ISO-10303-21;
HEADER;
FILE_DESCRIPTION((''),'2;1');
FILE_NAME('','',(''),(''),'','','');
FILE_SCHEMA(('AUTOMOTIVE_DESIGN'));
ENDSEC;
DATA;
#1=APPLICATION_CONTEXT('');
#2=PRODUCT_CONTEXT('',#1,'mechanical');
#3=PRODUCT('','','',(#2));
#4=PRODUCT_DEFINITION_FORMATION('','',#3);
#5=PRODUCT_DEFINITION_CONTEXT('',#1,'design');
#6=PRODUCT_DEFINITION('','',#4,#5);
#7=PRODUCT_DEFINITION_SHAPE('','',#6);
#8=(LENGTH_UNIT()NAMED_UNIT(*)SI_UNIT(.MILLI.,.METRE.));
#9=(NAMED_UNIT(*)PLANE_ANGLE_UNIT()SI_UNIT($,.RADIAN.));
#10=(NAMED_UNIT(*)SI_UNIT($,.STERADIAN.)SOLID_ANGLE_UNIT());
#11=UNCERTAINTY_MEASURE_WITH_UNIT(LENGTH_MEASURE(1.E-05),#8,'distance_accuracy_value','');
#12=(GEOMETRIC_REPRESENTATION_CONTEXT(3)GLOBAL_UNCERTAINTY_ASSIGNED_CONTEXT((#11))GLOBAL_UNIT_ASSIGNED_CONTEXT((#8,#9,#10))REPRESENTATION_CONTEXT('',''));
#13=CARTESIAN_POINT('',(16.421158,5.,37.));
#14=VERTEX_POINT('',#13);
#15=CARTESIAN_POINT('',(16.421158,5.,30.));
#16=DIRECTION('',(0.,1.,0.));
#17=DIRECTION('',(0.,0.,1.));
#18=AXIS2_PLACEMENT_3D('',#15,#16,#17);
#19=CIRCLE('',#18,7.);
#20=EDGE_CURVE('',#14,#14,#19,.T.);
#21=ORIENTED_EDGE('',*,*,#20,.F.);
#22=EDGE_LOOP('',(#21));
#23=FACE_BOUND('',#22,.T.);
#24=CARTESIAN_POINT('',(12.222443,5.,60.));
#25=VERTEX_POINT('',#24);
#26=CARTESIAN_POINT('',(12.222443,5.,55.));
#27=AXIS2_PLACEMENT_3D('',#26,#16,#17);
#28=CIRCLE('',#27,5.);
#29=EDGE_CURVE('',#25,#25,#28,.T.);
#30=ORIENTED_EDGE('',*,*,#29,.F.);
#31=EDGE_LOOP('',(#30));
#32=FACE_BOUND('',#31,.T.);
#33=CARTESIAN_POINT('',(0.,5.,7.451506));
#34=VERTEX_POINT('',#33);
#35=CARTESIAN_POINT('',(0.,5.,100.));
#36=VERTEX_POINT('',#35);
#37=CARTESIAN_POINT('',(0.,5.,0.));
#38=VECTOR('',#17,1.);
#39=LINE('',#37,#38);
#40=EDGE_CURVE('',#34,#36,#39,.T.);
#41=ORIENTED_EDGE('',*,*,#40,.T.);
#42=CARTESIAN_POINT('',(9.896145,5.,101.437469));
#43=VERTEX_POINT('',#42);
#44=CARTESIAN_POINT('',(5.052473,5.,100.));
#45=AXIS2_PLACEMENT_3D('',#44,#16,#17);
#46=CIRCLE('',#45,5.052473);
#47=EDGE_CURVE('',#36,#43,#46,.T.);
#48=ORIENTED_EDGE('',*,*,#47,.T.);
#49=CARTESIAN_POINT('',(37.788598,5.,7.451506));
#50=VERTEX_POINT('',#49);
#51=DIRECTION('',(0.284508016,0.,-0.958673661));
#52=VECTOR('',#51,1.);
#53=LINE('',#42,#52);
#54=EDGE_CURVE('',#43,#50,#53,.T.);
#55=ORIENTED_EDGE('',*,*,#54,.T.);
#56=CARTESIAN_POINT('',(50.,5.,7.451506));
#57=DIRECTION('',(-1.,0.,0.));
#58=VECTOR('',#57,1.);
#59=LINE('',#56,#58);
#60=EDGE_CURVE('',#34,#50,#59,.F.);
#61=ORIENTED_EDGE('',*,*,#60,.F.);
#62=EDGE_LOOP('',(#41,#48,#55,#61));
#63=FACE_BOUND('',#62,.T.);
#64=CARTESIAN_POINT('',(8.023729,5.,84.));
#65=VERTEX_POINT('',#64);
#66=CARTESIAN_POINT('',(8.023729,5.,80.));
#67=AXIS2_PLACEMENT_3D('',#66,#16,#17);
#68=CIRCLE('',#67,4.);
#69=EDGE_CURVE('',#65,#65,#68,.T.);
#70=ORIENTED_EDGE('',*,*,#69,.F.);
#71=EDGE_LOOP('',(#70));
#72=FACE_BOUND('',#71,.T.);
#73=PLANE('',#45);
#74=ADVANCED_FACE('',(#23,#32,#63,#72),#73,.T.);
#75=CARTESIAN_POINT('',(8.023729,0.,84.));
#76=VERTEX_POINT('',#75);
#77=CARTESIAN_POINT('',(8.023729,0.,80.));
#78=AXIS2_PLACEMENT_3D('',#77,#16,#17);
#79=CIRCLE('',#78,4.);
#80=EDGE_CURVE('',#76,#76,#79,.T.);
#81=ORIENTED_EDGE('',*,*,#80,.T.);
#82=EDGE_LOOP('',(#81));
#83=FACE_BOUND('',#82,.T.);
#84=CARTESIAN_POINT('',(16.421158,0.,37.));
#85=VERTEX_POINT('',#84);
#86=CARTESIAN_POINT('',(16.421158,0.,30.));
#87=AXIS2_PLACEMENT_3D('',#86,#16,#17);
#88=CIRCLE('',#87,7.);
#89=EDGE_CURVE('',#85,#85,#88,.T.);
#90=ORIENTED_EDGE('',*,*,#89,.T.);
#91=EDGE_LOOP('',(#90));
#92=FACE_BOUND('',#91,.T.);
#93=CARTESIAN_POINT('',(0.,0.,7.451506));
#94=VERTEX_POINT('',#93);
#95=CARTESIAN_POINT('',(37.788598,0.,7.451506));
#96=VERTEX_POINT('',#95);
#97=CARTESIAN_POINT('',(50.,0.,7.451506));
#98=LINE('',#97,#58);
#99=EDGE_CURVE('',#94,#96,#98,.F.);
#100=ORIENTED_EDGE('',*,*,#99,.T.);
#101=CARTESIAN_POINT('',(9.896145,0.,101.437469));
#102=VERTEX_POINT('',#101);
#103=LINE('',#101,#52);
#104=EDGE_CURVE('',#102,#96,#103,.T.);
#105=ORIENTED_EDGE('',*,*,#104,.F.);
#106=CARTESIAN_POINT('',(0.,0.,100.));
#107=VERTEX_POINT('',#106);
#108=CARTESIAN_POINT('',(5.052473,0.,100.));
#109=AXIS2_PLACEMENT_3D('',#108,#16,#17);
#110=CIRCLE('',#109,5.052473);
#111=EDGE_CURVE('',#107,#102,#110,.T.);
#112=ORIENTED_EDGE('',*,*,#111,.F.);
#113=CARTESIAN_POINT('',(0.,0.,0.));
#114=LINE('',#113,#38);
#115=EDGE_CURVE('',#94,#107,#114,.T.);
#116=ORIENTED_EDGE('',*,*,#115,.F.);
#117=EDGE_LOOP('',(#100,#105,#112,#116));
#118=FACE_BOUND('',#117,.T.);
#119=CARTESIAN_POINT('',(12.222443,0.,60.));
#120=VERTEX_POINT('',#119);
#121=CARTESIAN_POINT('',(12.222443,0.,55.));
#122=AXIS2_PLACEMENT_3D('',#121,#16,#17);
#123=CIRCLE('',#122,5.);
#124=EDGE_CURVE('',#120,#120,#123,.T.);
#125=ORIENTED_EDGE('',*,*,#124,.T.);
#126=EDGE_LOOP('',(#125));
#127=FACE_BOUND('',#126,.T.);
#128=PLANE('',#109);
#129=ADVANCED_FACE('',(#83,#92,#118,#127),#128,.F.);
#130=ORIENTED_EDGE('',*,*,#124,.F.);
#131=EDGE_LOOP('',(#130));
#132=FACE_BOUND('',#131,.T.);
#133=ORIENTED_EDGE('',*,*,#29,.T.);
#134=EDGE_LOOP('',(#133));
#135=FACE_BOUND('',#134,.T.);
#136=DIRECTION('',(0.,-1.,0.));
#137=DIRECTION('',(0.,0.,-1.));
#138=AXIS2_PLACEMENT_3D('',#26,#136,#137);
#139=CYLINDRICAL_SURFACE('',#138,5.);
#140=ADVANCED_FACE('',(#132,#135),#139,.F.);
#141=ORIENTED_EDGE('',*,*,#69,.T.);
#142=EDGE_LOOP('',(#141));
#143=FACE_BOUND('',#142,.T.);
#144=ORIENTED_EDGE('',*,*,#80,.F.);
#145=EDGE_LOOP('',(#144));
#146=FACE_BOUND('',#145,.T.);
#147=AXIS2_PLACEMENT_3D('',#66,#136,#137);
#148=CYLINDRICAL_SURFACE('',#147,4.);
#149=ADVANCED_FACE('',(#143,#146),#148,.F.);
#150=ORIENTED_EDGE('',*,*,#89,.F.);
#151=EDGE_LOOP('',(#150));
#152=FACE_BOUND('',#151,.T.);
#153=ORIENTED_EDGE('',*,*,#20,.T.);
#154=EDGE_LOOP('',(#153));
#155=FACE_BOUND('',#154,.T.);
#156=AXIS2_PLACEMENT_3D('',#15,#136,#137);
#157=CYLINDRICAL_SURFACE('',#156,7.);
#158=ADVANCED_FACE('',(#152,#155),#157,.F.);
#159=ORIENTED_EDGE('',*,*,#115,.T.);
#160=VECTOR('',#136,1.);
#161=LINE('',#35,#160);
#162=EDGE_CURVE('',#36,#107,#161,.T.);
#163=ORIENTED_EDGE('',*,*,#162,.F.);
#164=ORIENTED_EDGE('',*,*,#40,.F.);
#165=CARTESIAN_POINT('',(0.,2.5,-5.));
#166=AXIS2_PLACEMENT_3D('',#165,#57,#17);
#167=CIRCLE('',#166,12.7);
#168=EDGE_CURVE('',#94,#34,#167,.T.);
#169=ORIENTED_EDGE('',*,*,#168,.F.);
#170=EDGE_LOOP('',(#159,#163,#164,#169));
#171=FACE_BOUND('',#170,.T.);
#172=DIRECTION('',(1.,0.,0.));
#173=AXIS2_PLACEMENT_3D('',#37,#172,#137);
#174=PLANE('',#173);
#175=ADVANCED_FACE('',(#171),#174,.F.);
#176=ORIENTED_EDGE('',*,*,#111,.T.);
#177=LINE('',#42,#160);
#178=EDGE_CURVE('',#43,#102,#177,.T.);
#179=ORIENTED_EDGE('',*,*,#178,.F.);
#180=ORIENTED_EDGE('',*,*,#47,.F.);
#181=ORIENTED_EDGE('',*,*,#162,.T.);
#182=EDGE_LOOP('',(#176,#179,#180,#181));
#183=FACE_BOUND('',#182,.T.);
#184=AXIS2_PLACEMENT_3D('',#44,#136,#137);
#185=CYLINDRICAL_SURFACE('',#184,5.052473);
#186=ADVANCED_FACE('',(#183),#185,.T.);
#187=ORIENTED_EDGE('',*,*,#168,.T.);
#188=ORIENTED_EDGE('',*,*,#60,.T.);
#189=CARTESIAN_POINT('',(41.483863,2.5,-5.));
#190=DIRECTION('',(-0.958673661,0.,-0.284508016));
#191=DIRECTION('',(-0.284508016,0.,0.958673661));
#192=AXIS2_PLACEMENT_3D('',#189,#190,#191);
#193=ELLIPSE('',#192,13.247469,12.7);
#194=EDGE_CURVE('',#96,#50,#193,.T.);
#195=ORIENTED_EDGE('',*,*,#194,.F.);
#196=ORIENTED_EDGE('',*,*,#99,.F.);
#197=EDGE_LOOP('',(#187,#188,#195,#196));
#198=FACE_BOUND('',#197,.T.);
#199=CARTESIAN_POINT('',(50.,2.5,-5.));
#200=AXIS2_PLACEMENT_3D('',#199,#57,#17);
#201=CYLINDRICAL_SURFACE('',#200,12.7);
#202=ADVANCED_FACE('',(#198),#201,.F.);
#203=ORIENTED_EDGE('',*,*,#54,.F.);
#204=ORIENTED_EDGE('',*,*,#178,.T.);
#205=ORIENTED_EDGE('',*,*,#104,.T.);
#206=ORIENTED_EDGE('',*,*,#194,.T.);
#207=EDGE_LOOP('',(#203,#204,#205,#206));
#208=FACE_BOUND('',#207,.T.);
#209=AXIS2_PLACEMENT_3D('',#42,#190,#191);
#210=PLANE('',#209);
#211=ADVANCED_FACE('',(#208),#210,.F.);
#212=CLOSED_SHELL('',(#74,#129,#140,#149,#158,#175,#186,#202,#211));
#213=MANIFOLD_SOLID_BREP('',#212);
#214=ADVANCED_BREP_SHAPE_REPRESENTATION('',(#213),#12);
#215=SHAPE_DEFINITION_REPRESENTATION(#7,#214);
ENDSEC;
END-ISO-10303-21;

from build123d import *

# Parameters (mm, degrees)
SKETCH1_R           = 4
SKETCH1_R_2         = 5
SKETCH1_R_3         = 7
BOSS_EXTRUDE1_DEPTH = 5
SKETCH2_R           = 12.7
CUT_EXTRUDE1_DEPTH  = 50


with BuildPart() as part:
    # Sketch1 → Boss-Extrude1 (new body)
    with BuildSketch(Plane(origin=(0, 0, 0), x_dir=(1, 0, 0), z_dir=(0, 1, 0))):
        with BuildLine():
            Line((0, 0), (0, -100))
            ThreePointArc((0, -100), (4.326195296, -105), (9.896144859, -101.437468934))
            Line((9.896144859, -101.437468934), (40, 0))
            Line((40, 0), (0, 0))
        make_face()
        with Locations(Location((8.0237285, -80, 0), (0, 0, 270))):
            Circle(SKETCH1_R, mode=Mode.SUBTRACT)
        with Locations(Location((12.222443443, -55, 0), (0, 0, 270))):
            Circle(SKETCH1_R_2, mode=Mode.SUBTRACT)
        with Locations(Location((16.421158385, -30, 0), (0, 0, 270))):
            Circle(SKETCH1_R_3, mode=Mode.SUBTRACT)
    extrude(amount=BOSS_EXTRUDE1_DEPTH)

    # Sketch2 → Cut-Extrude1 (cut)
    with BuildSketch(Plane.ZY):
        with Locations((-5, 2.5)):
            Circle(SKETCH2_R)
    extrude(amount=-CUT_EXTRUDE1_DEPTH, mode=Mode.SUBTRACT)


solid = part.part
